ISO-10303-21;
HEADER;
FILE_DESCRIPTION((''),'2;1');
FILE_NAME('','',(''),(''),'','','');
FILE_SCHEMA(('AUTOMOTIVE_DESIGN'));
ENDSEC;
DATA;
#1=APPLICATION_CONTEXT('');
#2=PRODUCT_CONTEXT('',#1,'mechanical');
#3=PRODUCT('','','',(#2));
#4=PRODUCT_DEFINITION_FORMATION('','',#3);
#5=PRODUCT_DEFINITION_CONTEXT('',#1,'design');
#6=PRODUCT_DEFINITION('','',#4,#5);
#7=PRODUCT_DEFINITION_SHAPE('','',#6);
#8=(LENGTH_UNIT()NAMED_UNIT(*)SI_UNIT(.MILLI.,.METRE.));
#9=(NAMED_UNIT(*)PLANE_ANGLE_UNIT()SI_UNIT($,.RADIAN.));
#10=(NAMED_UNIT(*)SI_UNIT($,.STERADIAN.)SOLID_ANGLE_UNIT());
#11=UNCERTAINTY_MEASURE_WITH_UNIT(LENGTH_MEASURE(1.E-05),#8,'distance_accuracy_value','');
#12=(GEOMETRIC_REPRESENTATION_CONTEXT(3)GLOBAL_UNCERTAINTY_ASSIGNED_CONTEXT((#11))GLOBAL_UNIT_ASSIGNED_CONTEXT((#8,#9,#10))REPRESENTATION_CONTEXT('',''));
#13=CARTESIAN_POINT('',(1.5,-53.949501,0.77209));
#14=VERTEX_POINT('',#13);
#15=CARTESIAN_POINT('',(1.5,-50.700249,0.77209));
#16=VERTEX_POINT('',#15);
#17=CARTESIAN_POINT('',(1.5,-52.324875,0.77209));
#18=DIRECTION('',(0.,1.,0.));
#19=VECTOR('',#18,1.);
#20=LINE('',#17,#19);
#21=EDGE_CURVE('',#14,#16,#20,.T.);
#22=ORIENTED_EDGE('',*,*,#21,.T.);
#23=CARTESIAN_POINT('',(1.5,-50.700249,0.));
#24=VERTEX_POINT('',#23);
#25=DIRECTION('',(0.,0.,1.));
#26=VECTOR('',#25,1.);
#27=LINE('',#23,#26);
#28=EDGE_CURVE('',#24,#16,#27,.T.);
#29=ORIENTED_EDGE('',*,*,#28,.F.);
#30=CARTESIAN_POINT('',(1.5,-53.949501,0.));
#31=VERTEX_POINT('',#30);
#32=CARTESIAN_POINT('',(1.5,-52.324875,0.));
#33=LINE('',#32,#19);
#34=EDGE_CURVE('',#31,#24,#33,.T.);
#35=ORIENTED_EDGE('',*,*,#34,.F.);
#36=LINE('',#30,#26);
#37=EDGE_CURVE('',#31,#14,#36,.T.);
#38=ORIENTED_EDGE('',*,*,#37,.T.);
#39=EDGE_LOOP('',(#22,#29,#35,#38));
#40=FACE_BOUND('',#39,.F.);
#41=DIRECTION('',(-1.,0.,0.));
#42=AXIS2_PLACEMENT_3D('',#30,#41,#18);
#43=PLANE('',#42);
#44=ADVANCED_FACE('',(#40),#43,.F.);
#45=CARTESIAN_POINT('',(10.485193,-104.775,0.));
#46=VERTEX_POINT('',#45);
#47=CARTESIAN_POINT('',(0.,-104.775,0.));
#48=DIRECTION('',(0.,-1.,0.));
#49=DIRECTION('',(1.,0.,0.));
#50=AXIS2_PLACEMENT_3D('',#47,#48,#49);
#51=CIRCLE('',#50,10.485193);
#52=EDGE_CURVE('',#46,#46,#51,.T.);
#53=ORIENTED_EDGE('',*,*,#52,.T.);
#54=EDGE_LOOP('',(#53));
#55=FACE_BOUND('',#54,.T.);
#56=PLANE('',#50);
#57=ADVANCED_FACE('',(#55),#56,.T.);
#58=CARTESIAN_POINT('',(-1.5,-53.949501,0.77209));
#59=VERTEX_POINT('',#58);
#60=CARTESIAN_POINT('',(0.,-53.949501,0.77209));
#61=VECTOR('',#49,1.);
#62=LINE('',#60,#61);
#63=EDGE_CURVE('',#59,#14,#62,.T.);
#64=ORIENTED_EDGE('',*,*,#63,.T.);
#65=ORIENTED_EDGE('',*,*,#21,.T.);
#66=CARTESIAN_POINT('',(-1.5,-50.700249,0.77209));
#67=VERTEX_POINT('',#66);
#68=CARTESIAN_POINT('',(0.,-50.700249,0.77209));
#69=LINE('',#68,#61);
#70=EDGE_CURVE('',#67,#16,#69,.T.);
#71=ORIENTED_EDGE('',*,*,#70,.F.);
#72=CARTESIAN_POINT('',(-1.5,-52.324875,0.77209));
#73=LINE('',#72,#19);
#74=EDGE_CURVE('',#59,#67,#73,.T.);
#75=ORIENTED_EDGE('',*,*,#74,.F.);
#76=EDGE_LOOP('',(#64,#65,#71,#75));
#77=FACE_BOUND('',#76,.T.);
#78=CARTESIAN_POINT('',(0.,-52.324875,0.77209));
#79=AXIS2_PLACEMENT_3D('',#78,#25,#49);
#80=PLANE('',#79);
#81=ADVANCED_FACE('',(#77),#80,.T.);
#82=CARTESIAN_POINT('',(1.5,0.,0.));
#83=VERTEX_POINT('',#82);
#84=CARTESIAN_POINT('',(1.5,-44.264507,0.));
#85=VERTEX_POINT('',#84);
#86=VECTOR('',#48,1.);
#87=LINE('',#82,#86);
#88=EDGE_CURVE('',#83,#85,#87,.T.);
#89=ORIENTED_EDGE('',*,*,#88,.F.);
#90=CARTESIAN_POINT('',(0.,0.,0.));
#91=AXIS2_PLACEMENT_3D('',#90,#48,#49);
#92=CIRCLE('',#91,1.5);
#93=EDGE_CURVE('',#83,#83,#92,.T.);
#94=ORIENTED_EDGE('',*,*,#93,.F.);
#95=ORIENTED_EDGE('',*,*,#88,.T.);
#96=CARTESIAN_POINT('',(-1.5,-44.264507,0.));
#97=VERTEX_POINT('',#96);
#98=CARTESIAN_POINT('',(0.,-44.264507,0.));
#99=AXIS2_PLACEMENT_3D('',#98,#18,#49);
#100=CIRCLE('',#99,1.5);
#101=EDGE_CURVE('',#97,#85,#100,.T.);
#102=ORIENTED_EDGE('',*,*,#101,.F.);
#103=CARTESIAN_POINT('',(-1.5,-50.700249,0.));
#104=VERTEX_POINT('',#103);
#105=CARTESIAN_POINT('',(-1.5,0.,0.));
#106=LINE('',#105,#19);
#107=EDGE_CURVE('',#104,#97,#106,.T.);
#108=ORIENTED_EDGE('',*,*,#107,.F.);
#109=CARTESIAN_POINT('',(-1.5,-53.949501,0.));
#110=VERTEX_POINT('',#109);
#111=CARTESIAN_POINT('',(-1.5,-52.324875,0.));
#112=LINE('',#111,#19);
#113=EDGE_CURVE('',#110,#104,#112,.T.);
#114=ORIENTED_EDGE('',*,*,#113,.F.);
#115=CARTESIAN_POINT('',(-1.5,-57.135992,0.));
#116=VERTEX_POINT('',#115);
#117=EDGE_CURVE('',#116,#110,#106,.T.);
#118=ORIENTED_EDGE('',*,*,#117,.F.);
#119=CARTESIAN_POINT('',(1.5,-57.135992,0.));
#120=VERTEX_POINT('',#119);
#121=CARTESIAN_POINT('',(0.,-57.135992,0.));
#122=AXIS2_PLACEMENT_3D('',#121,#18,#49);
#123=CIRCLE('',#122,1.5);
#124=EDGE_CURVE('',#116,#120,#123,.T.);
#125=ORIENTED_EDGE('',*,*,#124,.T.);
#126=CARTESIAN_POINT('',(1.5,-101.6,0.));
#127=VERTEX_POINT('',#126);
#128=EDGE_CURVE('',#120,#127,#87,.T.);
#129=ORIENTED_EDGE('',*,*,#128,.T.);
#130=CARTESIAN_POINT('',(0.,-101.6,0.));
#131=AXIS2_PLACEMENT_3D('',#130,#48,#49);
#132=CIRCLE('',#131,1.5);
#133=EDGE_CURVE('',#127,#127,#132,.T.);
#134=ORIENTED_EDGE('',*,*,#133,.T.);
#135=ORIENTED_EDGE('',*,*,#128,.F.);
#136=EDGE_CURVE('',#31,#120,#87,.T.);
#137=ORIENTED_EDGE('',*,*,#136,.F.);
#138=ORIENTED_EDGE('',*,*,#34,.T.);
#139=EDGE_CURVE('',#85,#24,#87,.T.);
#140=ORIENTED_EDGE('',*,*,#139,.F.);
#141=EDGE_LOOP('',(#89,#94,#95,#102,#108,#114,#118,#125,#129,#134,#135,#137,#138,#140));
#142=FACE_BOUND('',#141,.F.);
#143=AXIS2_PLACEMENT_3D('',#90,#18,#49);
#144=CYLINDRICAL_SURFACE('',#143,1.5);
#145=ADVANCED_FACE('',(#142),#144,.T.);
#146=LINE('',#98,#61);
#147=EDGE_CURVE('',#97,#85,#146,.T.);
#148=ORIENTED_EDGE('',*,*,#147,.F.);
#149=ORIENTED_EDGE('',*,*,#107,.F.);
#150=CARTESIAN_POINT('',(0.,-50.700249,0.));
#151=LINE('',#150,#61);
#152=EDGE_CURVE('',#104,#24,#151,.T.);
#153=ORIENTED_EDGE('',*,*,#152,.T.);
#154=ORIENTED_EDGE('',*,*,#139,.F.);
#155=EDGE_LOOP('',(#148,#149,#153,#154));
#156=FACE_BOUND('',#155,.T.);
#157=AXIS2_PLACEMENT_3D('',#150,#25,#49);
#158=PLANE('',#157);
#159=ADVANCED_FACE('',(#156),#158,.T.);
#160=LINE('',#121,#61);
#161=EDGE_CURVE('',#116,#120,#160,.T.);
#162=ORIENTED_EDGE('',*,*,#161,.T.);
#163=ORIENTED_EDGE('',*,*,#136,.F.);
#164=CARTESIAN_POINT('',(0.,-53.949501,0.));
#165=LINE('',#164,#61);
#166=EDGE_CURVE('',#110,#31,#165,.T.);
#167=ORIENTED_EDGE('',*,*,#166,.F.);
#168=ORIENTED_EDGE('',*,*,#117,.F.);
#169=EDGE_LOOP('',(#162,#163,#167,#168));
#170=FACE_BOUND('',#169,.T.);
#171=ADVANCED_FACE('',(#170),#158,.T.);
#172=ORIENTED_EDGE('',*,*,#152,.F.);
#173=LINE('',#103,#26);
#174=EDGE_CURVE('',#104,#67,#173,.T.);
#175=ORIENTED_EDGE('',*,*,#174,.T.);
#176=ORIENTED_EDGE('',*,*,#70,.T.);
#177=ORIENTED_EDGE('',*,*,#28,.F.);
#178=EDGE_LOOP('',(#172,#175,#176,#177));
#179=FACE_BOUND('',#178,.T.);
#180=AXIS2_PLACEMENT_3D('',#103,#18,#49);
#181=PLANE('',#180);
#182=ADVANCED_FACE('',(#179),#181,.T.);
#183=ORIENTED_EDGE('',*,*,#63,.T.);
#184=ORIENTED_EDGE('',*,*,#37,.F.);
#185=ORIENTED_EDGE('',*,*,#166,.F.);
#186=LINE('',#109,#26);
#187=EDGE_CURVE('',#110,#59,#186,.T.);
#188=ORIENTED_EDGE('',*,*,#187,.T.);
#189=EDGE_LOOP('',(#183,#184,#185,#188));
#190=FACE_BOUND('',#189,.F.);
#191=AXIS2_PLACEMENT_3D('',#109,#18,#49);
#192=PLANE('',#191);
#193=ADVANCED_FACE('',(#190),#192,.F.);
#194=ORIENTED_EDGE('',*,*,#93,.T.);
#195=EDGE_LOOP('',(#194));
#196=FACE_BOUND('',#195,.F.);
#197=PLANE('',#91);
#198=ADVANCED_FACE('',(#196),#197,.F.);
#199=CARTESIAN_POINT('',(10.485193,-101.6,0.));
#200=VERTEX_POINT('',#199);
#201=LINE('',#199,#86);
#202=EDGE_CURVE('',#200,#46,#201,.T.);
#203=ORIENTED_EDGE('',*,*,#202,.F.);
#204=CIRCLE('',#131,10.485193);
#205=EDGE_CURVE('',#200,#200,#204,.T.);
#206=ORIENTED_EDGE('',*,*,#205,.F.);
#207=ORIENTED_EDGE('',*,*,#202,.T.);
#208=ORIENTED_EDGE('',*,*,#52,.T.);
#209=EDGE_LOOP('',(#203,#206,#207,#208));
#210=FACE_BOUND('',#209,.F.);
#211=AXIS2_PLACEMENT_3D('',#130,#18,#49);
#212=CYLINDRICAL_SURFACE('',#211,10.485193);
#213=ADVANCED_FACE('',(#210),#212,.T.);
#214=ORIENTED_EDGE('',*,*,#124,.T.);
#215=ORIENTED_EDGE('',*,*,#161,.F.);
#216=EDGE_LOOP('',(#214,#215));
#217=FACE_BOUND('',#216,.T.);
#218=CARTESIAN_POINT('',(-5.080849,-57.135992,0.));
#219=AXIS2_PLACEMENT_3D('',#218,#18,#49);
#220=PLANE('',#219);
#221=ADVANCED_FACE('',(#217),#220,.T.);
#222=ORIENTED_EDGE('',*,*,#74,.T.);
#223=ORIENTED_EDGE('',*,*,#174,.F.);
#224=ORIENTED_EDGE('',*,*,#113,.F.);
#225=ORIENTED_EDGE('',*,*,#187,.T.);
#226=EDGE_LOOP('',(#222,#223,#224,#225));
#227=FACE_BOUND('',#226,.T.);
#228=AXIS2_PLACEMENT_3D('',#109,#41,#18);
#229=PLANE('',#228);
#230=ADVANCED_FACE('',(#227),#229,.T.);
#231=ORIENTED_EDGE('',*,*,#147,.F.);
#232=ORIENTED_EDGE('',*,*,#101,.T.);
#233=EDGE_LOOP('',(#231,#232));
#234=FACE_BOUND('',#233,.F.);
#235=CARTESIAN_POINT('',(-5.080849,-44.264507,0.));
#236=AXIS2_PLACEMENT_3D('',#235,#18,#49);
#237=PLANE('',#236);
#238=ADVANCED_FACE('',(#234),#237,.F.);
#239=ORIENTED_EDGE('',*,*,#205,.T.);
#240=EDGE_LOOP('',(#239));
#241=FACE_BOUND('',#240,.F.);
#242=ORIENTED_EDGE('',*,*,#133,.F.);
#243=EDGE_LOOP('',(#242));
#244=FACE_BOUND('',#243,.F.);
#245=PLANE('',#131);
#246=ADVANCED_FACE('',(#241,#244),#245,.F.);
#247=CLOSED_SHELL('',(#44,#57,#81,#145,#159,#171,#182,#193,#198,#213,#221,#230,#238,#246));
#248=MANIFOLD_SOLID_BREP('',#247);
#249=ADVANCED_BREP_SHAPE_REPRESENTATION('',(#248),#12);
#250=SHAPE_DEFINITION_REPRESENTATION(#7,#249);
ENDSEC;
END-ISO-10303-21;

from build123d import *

# Parameters (mm, degrees)
F0_R      = 1.5
F1_DEPTH  = 101.6
F2_R      = 10.4851931458
F3_DEPTH  = 3.175
F4_W      = 10.1616978645
F4_H      = 12.8714852035
F5_DEPTH  = 20.24025
F7_DEPTH  = 8.96719
F9_W      = 3
F9_H      = 3.249252215
F10_DEPTH = 0.77209


with BuildPart() as f1:
    # F0 (on Front) → F1 (new body)
    with BuildSketch(Plane.XZ):
        Circle(F0_R)
    extrude(amount=F1_DEPTH)

    # F2 (on face) → F3 (join)
    with BuildSketch(Plane.XZ.offset(101.6)):
        Circle(F2_R)
    extrude(amount=F3_DEPTH)

    # F4 (on Top) → F5 (cut)
    with BuildSketch(Plane.XY):
        with Locations((0, -50.7002491504)):
            Rectangle(F4_W, F4_H)
    extrude(amount=F5_DEPTH, mode=Mode.SUBTRACT)

    # F9 (on face) → F10 (join)
    with BuildSketch(Plane.XY):
        with Locations((0, -52.3248752579)):
            Rectangle(F9_W, F9_H)
    extrude(amount=F10_DEPTH)


with BuildPart() as f7:
    # F6 (on face) → F7 (new body)
    with BuildSketch(Plane.XZ.offset(44.2645065486)):
        with BuildLine():
            Line((0.595669005, 1.3766547993), (-0.595669005, 1.3766547993))
            Line((-0.595669005, 1.3766547993), (-0.595669005, 0.1358163867))
            Line((-0.595669005, 0.1358163867), (1.3222411928, 0.1358163867))
            Line((1.3222411928, 0.1358163867), (1.3222411928, 0.7082924736))
            ThreePointArc((1.3222411928, 0.7082924736), (1.0155155987, 1.1039601753), (0.595669005, 1.3766547993))
        make_face()
        with BuildLine():
            Line((1.3222411928, 1.3766547993), (0.595669005, 1.3766547993))
            ThreePointArc((0.595669005, 1.3766547993), (1.0155155987, 1.1039601753), (1.3222411928, 0.7082924736))
            Line((1.3222411928, 0.7082924736), (1.3222411928, 1.3766547993))
        make_face()
    extrude(amount=F7_DEPTH)


solid = f1.part
